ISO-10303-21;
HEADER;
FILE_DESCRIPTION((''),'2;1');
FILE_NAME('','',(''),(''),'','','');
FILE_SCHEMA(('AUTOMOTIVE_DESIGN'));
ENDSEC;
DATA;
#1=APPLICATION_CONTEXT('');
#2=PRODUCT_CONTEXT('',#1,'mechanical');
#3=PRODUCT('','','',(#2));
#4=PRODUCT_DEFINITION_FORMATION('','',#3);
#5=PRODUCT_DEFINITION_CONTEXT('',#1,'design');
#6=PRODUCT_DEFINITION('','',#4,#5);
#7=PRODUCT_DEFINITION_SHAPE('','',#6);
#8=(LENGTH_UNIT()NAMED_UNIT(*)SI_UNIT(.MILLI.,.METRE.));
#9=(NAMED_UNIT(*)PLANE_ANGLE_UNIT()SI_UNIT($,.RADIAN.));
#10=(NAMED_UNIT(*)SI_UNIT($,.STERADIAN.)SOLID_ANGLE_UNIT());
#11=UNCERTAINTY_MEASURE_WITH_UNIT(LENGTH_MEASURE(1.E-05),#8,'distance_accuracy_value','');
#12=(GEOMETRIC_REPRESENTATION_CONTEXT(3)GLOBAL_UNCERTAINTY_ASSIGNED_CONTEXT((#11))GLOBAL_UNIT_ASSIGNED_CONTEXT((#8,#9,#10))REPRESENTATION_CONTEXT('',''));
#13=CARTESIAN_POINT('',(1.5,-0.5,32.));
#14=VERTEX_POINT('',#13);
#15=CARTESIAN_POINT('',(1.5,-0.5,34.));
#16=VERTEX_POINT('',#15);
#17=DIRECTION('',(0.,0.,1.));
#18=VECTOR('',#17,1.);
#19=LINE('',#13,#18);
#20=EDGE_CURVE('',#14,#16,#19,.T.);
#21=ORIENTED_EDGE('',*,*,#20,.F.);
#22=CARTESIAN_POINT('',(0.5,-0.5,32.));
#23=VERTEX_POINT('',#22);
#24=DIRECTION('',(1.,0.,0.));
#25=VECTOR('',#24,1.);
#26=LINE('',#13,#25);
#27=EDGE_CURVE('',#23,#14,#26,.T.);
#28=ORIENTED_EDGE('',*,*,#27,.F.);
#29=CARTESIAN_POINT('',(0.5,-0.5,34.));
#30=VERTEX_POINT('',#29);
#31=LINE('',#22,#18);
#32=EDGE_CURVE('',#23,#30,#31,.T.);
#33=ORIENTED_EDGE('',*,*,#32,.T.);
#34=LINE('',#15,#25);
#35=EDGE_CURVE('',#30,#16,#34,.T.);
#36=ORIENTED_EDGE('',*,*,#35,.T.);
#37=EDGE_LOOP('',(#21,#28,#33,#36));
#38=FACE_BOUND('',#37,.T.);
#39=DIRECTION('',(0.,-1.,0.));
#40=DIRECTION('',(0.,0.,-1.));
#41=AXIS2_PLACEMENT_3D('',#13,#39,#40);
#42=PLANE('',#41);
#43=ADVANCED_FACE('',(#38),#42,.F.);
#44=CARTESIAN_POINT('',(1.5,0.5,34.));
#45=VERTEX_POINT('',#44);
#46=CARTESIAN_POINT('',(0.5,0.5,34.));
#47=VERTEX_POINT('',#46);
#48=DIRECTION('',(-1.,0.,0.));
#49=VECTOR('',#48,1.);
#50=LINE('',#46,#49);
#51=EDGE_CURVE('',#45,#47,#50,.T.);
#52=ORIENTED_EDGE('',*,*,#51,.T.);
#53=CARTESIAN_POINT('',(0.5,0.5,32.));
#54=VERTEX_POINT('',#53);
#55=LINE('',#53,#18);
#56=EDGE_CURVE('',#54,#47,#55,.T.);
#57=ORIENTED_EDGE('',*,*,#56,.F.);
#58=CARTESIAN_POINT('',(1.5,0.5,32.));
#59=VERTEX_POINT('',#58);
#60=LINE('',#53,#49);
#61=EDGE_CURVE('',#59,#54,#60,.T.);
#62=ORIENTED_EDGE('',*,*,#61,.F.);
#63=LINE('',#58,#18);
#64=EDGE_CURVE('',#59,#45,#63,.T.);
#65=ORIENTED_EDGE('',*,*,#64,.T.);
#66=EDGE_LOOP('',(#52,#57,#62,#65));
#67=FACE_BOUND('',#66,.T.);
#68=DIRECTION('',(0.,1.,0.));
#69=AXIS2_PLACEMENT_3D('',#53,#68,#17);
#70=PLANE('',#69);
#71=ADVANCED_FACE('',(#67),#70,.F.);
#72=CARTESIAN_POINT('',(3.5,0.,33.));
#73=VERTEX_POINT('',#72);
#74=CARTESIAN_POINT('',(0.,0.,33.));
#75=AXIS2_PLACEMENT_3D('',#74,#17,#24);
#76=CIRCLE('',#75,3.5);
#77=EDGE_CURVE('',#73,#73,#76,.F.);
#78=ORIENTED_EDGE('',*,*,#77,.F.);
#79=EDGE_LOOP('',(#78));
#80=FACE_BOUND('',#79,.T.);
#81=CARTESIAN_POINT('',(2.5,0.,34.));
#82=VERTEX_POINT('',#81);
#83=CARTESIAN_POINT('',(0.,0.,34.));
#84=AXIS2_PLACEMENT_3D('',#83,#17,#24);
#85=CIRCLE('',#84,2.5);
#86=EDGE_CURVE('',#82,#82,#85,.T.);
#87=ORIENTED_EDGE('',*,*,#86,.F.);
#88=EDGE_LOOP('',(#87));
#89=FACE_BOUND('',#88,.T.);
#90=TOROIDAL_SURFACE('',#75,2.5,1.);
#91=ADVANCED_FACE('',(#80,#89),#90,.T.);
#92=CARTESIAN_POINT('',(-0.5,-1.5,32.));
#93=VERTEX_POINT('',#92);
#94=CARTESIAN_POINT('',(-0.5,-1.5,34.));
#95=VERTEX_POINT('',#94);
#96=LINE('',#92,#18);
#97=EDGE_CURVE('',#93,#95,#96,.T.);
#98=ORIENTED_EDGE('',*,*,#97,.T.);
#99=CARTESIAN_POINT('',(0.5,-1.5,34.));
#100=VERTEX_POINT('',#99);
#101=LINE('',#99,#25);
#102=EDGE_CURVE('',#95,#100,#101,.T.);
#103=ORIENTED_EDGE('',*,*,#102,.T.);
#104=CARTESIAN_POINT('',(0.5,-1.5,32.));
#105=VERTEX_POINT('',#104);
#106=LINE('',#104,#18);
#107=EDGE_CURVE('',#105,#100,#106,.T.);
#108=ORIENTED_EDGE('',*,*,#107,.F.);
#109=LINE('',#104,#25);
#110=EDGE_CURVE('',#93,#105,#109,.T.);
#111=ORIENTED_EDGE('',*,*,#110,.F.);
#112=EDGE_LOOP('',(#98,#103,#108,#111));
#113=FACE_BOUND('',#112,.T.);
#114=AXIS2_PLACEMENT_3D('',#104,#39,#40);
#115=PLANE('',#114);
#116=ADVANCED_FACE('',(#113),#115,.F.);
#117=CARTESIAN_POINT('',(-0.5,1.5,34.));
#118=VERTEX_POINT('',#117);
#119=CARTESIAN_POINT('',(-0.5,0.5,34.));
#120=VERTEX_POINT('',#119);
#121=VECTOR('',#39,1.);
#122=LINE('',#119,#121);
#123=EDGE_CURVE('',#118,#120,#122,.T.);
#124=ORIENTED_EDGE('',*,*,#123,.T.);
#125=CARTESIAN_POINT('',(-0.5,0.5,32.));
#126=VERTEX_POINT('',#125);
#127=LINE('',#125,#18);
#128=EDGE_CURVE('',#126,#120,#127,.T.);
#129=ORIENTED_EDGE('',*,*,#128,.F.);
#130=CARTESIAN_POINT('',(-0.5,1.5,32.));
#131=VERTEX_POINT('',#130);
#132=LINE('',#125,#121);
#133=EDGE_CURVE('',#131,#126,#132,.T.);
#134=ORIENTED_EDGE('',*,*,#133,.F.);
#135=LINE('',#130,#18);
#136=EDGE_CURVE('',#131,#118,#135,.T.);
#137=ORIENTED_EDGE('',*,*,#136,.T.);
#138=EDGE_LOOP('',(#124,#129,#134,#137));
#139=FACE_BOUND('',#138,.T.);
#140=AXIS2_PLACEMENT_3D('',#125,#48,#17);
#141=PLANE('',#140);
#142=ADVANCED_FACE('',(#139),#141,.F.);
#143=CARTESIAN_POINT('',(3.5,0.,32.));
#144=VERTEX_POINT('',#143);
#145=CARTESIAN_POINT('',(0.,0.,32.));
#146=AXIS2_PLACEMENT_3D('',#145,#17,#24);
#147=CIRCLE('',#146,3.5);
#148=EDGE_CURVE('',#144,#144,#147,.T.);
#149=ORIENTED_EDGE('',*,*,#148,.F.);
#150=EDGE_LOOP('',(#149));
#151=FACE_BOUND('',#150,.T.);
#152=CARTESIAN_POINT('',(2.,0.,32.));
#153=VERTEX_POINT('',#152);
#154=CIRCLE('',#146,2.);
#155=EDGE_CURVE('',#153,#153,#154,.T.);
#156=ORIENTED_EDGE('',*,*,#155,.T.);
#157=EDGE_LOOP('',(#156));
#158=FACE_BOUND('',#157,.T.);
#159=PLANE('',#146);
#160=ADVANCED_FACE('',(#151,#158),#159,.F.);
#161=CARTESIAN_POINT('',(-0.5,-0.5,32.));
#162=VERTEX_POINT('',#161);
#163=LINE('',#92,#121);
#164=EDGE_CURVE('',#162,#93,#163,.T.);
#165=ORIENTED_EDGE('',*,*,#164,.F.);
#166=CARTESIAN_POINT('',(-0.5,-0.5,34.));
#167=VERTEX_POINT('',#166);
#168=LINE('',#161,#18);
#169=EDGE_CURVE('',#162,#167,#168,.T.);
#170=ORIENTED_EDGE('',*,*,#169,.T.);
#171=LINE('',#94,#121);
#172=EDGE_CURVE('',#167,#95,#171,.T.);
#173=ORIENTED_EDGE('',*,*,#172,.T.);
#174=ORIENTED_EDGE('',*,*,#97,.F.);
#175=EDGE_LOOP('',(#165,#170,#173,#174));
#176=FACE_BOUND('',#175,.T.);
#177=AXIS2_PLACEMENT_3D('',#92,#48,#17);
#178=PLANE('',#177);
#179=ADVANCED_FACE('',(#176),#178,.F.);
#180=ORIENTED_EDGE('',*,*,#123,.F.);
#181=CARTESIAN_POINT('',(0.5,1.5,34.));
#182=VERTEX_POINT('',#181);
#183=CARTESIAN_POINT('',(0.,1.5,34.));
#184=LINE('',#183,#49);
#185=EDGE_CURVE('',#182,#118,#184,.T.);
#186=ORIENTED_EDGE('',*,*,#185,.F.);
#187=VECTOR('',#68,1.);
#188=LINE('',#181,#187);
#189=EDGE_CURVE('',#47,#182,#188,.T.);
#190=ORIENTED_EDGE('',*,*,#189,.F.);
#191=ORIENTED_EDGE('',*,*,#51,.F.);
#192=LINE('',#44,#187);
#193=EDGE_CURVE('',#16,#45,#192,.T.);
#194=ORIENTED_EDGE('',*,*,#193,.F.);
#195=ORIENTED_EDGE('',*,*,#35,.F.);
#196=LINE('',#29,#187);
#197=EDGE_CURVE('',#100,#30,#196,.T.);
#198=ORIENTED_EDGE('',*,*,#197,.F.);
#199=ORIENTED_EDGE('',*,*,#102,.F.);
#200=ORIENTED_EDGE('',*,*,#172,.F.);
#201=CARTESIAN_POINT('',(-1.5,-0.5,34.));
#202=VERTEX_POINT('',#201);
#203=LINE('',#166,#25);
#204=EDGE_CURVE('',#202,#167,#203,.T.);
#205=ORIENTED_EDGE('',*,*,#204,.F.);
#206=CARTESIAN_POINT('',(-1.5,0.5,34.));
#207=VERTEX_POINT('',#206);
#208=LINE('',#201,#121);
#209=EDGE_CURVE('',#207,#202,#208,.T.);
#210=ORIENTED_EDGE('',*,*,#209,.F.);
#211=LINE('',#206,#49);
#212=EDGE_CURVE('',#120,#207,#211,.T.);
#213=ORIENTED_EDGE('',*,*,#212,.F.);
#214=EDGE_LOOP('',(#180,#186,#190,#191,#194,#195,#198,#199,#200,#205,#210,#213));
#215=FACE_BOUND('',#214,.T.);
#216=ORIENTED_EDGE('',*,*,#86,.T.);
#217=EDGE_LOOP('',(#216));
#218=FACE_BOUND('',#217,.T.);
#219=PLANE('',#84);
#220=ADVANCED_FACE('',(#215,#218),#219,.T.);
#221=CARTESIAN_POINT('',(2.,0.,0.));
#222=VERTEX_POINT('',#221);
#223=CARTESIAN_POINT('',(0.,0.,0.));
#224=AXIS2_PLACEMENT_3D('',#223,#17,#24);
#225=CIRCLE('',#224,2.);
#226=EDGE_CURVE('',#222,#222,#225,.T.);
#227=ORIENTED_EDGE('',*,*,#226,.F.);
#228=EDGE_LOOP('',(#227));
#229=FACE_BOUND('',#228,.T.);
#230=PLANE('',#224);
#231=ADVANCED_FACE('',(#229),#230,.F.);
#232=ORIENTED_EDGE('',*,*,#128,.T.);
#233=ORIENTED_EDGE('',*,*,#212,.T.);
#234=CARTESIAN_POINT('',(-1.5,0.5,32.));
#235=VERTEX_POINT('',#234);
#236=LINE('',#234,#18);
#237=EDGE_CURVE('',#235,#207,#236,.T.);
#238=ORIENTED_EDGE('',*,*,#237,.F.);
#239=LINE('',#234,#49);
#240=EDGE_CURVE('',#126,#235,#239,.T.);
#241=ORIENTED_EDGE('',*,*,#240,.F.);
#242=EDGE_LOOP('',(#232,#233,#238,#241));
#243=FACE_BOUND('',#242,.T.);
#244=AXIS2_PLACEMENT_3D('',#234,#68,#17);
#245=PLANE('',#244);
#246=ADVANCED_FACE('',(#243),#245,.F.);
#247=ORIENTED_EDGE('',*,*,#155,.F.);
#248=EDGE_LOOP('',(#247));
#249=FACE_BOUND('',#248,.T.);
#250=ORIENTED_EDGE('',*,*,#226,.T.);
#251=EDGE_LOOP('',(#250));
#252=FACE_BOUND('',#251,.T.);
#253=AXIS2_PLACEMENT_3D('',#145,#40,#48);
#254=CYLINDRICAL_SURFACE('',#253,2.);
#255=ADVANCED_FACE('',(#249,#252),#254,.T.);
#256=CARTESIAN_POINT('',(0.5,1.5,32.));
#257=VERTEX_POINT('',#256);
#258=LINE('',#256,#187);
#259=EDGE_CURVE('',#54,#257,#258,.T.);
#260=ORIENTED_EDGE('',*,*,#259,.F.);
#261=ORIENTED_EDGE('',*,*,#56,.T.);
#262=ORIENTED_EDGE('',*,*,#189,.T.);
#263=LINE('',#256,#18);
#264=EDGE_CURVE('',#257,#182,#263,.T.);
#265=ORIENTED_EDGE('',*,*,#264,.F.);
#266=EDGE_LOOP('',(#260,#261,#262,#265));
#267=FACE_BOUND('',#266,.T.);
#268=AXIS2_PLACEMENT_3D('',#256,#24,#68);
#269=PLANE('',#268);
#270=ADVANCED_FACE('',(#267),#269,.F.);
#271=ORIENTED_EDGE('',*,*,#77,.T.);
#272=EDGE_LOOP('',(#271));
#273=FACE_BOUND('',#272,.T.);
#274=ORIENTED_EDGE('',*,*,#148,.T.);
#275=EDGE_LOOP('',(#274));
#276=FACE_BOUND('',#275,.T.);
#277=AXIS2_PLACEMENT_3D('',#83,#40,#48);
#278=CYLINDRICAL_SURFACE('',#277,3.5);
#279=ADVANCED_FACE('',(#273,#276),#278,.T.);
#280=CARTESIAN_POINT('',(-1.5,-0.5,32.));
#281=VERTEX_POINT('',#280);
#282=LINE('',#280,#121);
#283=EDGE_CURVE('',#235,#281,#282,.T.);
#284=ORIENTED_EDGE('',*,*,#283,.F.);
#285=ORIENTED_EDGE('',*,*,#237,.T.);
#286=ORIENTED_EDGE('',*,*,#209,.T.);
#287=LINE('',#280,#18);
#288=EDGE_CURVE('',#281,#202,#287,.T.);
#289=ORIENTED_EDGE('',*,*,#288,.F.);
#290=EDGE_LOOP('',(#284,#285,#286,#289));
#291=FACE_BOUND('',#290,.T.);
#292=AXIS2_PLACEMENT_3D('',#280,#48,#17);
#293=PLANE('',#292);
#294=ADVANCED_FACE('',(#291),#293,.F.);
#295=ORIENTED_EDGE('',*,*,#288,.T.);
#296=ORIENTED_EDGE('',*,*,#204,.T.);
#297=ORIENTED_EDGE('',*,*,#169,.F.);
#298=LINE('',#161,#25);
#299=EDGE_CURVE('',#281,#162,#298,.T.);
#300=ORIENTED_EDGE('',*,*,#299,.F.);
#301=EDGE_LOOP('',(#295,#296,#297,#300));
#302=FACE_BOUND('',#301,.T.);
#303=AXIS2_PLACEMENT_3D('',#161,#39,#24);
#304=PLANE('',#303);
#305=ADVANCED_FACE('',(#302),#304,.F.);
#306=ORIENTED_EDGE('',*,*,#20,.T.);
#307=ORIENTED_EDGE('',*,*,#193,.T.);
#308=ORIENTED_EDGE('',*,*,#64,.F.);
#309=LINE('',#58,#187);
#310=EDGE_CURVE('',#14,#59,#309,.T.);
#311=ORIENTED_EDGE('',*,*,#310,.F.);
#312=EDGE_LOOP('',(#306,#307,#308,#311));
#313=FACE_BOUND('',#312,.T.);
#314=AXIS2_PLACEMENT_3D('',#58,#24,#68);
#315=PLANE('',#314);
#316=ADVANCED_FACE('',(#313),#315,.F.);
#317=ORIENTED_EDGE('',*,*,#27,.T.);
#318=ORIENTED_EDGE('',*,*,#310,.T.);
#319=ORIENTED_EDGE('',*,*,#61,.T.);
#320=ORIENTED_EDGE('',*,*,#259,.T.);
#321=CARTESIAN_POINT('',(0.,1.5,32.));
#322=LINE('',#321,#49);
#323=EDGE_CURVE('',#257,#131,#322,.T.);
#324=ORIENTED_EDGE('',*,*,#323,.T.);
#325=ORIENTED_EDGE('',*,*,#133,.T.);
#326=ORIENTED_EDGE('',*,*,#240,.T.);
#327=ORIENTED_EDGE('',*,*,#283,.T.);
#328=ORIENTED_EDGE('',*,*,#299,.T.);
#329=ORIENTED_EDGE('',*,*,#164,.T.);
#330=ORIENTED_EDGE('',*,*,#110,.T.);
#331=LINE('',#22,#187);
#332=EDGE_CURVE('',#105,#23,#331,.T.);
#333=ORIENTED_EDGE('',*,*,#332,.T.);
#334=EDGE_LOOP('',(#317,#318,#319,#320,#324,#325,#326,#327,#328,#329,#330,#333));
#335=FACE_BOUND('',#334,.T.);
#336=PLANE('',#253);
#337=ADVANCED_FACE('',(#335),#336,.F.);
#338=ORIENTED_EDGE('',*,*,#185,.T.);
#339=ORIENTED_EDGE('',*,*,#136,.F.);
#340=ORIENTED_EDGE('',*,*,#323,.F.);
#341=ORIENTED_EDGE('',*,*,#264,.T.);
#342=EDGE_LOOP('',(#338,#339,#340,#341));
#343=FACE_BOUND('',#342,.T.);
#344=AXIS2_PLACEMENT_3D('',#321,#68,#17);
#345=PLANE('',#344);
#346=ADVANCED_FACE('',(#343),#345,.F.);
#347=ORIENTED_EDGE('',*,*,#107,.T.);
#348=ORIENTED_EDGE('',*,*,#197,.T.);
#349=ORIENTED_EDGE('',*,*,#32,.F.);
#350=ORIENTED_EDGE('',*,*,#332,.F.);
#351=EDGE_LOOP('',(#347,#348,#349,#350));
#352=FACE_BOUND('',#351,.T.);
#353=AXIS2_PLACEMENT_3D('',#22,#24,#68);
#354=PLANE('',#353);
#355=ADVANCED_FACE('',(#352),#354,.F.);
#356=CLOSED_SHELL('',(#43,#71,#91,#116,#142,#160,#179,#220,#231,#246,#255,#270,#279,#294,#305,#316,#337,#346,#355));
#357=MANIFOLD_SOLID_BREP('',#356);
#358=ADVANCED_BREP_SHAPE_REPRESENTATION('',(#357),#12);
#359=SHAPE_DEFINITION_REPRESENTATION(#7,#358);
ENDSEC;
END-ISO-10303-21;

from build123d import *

# Parameters (mm, degrees)
SKETCH_1_R          = 2
EXTRUDE_1_DEPTH     = 32
SKETCH_2_R          = 3.5
EXTRUDE_2_DEPTH     = 2
FILLET_1_R          = 1
CUT_EXTRUDE_1_DEPTH = 2


with BuildPart() as part:
    # 草图1 → 凸台-拉伸1 (new body)
    with BuildSketch(Plane.XY):
        Circle(SKETCH_1_R)
    extrude(amount=EXTRUDE_1_DEPTH)

    # 草图2 → 凸台-拉伸2 (add)
    with BuildSketch(Plane.XY.offset(32)):
        Circle(SKETCH_2_R)
    extrude(amount=EXTRUDE_2_DEPTH)

    # 圆角1
    fillet_1_edges = [part.edges().sort_by_distance(p)[0] for p in [
        (-3.5, 0, 34),
    ]]
    fillet(fillet_1_edges, radius=FILLET_1_R)

    # 草图3 → 切除-拉伸1 (cut)
    with BuildSketch(Plane.XY.offset(34)):
        Polygon((0, 1.5), (0.5, 1.5), (0.5, 0.5), (1.5, 0.5), (1.5, -0.5), (0.5, -0.5), (0.5, -1.5), (-0.5, -1.5), (-0.5, -0.5), (-1.5, -0.5), (-1.5, 0.5), (-0.5, 0.5), (-0.5, 1.5), align=None)
    extrude(amount=-CUT_EXTRUDE_1_DEPTH, mode=Mode.SUBTRACT)


solid = part.part
